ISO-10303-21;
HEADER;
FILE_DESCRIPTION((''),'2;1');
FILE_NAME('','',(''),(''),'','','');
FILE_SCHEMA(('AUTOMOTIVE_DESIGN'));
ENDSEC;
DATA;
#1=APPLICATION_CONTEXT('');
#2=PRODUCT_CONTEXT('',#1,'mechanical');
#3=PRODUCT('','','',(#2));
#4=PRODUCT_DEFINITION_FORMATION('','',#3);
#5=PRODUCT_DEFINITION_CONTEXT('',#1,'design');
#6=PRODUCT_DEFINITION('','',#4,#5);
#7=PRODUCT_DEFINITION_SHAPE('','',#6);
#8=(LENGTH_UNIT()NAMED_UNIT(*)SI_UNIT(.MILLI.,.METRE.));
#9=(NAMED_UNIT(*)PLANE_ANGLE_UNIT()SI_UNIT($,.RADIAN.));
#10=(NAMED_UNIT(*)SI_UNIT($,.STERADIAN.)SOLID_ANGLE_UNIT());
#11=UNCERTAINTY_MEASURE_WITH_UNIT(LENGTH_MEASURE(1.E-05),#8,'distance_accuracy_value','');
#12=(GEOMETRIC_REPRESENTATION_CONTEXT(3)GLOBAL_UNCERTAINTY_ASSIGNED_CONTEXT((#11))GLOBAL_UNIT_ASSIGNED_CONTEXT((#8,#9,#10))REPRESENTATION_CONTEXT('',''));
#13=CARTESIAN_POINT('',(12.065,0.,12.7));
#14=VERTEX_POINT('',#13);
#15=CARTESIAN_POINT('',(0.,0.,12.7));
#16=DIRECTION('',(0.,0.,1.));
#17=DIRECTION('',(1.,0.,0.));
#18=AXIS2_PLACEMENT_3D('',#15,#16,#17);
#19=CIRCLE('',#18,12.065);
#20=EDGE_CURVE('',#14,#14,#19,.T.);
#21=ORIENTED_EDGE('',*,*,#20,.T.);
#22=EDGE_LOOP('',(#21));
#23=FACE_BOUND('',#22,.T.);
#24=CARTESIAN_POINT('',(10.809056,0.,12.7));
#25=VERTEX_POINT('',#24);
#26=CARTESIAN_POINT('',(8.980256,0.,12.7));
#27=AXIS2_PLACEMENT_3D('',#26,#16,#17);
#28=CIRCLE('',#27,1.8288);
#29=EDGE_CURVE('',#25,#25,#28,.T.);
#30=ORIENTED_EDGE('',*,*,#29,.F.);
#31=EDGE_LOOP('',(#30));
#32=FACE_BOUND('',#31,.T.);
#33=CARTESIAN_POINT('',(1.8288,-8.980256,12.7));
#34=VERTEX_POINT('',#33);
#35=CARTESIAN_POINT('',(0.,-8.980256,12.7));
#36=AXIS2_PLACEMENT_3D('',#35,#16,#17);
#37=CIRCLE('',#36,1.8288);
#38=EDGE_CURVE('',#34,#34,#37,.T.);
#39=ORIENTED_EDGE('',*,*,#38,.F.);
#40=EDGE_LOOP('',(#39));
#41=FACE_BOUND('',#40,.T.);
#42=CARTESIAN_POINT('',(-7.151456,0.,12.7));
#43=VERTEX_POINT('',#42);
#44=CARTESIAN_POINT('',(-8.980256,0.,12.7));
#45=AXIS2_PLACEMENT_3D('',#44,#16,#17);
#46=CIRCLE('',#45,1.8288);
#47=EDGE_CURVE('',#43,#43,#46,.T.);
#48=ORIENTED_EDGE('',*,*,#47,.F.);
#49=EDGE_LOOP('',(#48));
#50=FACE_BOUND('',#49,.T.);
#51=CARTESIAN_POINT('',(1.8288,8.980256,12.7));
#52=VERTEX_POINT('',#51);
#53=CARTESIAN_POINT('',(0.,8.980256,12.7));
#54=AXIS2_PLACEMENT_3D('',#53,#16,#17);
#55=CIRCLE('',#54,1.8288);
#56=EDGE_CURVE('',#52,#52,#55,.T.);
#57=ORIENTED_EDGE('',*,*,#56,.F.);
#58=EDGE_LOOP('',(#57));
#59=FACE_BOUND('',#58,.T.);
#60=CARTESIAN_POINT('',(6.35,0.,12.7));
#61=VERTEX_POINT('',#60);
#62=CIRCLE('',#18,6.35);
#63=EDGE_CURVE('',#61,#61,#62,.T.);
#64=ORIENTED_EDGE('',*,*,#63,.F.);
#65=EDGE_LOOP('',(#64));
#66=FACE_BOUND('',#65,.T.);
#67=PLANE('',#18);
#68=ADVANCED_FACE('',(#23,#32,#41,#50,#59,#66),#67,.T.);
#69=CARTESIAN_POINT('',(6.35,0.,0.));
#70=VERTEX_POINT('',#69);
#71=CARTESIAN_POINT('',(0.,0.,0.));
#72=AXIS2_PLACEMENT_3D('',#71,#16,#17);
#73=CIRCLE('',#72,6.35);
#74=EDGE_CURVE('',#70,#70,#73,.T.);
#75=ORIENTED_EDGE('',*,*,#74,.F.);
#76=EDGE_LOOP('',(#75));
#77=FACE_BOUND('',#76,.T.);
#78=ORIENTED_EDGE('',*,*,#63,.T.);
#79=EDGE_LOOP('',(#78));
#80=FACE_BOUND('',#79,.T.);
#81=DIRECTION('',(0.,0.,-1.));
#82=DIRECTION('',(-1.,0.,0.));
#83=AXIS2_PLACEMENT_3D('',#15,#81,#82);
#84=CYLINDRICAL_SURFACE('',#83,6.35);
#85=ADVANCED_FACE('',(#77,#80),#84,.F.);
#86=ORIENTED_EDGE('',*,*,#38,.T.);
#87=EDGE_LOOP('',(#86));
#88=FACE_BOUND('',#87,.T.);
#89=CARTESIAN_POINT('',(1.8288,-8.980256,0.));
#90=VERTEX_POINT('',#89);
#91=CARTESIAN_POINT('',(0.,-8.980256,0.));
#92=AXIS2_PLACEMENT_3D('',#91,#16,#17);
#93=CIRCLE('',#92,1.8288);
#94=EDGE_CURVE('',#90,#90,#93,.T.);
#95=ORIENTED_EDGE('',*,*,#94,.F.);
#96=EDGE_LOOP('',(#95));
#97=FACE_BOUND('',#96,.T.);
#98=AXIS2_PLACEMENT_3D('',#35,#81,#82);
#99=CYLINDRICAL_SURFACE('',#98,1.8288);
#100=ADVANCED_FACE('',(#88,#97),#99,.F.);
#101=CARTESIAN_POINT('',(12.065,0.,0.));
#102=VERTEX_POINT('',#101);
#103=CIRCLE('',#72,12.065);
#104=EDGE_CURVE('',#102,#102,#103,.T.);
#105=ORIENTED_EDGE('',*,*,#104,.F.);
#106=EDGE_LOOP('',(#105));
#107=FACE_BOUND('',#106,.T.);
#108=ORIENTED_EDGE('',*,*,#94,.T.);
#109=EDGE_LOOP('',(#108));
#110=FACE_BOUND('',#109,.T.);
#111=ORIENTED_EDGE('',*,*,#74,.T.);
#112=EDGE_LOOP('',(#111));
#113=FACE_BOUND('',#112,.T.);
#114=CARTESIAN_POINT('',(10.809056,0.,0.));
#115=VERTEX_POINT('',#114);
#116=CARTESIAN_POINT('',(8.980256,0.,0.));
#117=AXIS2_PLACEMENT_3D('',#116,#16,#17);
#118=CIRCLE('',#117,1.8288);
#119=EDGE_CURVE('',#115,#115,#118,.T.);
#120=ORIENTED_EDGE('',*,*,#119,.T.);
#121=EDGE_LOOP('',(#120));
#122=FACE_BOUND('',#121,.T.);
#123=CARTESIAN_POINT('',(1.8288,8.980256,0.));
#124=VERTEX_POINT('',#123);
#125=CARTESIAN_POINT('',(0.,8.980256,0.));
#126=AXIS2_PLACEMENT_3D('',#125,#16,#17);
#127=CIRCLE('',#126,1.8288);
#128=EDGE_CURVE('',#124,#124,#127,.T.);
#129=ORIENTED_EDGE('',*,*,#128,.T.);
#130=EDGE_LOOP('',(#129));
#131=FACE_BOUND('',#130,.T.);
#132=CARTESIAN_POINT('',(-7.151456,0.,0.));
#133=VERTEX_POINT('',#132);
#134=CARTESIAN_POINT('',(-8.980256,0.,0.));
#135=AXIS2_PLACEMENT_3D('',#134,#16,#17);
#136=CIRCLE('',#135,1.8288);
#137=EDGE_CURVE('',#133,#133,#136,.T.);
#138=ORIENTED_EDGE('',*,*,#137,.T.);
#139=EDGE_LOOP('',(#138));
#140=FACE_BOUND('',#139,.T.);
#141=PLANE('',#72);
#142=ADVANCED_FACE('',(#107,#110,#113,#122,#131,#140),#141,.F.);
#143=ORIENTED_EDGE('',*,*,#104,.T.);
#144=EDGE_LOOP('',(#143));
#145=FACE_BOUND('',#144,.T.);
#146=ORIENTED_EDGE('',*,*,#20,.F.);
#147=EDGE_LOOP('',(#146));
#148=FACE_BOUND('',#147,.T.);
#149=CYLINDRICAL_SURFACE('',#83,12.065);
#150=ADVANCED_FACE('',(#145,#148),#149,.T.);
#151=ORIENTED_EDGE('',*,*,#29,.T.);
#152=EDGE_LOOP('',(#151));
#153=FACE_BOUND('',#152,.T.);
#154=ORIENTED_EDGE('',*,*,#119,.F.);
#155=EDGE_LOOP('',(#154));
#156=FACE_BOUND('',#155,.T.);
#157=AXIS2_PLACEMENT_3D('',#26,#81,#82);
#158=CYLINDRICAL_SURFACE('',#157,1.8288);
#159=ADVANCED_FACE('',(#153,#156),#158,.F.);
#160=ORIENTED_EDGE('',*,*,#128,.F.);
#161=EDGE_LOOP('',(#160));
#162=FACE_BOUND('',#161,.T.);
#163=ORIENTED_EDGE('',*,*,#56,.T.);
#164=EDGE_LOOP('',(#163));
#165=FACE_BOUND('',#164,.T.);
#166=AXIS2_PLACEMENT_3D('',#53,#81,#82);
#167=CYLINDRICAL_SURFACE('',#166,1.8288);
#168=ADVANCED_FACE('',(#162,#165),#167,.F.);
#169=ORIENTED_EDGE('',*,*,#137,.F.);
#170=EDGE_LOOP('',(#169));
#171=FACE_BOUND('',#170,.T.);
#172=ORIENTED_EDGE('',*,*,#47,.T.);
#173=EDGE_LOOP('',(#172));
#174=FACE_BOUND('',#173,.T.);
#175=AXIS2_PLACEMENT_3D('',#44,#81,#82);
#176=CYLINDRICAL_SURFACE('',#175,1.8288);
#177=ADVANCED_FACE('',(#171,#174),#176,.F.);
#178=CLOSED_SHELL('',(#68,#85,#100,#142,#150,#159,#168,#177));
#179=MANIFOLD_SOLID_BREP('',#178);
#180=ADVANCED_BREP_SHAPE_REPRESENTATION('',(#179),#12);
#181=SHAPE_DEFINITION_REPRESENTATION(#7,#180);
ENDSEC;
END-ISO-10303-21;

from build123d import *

# Parameters (mm, degrees)
SKETCH1_R           = 12.065
SKETCH1_R_2         = 6.35
SKETCH1_R_3         = 1.8288
BOSS_EXTRUDE1_DEPTH = 12.7


with BuildPart() as part:
    # Sketch1 → Boss-Extrude1 (new body)
    with BuildSketch(Plane.XY):
        Circle(SKETCH1_R)
        Circle(SKETCH1_R_2, mode=Mode.SUBTRACT)
        with Locations((-8.980256121, 0)):
            Circle(SKETCH1_R_3, mode=Mode.SUBTRACT)
        with Locations((8.980256121, 0)):
            Circle(SKETCH1_R_3, mode=Mode.SUBTRACT)
        with Locations((0, 8.980256121)):
            Circle(SKETCH1_R_3, mode=Mode.SUBTRACT)
        with Locations((0, -8.980256121)):
            Circle(SKETCH1_R_3, mode=Mode.SUBTRACT)
    extrude(amount=BOSS_EXTRUDE1_DEPTH)


solid = part.part
